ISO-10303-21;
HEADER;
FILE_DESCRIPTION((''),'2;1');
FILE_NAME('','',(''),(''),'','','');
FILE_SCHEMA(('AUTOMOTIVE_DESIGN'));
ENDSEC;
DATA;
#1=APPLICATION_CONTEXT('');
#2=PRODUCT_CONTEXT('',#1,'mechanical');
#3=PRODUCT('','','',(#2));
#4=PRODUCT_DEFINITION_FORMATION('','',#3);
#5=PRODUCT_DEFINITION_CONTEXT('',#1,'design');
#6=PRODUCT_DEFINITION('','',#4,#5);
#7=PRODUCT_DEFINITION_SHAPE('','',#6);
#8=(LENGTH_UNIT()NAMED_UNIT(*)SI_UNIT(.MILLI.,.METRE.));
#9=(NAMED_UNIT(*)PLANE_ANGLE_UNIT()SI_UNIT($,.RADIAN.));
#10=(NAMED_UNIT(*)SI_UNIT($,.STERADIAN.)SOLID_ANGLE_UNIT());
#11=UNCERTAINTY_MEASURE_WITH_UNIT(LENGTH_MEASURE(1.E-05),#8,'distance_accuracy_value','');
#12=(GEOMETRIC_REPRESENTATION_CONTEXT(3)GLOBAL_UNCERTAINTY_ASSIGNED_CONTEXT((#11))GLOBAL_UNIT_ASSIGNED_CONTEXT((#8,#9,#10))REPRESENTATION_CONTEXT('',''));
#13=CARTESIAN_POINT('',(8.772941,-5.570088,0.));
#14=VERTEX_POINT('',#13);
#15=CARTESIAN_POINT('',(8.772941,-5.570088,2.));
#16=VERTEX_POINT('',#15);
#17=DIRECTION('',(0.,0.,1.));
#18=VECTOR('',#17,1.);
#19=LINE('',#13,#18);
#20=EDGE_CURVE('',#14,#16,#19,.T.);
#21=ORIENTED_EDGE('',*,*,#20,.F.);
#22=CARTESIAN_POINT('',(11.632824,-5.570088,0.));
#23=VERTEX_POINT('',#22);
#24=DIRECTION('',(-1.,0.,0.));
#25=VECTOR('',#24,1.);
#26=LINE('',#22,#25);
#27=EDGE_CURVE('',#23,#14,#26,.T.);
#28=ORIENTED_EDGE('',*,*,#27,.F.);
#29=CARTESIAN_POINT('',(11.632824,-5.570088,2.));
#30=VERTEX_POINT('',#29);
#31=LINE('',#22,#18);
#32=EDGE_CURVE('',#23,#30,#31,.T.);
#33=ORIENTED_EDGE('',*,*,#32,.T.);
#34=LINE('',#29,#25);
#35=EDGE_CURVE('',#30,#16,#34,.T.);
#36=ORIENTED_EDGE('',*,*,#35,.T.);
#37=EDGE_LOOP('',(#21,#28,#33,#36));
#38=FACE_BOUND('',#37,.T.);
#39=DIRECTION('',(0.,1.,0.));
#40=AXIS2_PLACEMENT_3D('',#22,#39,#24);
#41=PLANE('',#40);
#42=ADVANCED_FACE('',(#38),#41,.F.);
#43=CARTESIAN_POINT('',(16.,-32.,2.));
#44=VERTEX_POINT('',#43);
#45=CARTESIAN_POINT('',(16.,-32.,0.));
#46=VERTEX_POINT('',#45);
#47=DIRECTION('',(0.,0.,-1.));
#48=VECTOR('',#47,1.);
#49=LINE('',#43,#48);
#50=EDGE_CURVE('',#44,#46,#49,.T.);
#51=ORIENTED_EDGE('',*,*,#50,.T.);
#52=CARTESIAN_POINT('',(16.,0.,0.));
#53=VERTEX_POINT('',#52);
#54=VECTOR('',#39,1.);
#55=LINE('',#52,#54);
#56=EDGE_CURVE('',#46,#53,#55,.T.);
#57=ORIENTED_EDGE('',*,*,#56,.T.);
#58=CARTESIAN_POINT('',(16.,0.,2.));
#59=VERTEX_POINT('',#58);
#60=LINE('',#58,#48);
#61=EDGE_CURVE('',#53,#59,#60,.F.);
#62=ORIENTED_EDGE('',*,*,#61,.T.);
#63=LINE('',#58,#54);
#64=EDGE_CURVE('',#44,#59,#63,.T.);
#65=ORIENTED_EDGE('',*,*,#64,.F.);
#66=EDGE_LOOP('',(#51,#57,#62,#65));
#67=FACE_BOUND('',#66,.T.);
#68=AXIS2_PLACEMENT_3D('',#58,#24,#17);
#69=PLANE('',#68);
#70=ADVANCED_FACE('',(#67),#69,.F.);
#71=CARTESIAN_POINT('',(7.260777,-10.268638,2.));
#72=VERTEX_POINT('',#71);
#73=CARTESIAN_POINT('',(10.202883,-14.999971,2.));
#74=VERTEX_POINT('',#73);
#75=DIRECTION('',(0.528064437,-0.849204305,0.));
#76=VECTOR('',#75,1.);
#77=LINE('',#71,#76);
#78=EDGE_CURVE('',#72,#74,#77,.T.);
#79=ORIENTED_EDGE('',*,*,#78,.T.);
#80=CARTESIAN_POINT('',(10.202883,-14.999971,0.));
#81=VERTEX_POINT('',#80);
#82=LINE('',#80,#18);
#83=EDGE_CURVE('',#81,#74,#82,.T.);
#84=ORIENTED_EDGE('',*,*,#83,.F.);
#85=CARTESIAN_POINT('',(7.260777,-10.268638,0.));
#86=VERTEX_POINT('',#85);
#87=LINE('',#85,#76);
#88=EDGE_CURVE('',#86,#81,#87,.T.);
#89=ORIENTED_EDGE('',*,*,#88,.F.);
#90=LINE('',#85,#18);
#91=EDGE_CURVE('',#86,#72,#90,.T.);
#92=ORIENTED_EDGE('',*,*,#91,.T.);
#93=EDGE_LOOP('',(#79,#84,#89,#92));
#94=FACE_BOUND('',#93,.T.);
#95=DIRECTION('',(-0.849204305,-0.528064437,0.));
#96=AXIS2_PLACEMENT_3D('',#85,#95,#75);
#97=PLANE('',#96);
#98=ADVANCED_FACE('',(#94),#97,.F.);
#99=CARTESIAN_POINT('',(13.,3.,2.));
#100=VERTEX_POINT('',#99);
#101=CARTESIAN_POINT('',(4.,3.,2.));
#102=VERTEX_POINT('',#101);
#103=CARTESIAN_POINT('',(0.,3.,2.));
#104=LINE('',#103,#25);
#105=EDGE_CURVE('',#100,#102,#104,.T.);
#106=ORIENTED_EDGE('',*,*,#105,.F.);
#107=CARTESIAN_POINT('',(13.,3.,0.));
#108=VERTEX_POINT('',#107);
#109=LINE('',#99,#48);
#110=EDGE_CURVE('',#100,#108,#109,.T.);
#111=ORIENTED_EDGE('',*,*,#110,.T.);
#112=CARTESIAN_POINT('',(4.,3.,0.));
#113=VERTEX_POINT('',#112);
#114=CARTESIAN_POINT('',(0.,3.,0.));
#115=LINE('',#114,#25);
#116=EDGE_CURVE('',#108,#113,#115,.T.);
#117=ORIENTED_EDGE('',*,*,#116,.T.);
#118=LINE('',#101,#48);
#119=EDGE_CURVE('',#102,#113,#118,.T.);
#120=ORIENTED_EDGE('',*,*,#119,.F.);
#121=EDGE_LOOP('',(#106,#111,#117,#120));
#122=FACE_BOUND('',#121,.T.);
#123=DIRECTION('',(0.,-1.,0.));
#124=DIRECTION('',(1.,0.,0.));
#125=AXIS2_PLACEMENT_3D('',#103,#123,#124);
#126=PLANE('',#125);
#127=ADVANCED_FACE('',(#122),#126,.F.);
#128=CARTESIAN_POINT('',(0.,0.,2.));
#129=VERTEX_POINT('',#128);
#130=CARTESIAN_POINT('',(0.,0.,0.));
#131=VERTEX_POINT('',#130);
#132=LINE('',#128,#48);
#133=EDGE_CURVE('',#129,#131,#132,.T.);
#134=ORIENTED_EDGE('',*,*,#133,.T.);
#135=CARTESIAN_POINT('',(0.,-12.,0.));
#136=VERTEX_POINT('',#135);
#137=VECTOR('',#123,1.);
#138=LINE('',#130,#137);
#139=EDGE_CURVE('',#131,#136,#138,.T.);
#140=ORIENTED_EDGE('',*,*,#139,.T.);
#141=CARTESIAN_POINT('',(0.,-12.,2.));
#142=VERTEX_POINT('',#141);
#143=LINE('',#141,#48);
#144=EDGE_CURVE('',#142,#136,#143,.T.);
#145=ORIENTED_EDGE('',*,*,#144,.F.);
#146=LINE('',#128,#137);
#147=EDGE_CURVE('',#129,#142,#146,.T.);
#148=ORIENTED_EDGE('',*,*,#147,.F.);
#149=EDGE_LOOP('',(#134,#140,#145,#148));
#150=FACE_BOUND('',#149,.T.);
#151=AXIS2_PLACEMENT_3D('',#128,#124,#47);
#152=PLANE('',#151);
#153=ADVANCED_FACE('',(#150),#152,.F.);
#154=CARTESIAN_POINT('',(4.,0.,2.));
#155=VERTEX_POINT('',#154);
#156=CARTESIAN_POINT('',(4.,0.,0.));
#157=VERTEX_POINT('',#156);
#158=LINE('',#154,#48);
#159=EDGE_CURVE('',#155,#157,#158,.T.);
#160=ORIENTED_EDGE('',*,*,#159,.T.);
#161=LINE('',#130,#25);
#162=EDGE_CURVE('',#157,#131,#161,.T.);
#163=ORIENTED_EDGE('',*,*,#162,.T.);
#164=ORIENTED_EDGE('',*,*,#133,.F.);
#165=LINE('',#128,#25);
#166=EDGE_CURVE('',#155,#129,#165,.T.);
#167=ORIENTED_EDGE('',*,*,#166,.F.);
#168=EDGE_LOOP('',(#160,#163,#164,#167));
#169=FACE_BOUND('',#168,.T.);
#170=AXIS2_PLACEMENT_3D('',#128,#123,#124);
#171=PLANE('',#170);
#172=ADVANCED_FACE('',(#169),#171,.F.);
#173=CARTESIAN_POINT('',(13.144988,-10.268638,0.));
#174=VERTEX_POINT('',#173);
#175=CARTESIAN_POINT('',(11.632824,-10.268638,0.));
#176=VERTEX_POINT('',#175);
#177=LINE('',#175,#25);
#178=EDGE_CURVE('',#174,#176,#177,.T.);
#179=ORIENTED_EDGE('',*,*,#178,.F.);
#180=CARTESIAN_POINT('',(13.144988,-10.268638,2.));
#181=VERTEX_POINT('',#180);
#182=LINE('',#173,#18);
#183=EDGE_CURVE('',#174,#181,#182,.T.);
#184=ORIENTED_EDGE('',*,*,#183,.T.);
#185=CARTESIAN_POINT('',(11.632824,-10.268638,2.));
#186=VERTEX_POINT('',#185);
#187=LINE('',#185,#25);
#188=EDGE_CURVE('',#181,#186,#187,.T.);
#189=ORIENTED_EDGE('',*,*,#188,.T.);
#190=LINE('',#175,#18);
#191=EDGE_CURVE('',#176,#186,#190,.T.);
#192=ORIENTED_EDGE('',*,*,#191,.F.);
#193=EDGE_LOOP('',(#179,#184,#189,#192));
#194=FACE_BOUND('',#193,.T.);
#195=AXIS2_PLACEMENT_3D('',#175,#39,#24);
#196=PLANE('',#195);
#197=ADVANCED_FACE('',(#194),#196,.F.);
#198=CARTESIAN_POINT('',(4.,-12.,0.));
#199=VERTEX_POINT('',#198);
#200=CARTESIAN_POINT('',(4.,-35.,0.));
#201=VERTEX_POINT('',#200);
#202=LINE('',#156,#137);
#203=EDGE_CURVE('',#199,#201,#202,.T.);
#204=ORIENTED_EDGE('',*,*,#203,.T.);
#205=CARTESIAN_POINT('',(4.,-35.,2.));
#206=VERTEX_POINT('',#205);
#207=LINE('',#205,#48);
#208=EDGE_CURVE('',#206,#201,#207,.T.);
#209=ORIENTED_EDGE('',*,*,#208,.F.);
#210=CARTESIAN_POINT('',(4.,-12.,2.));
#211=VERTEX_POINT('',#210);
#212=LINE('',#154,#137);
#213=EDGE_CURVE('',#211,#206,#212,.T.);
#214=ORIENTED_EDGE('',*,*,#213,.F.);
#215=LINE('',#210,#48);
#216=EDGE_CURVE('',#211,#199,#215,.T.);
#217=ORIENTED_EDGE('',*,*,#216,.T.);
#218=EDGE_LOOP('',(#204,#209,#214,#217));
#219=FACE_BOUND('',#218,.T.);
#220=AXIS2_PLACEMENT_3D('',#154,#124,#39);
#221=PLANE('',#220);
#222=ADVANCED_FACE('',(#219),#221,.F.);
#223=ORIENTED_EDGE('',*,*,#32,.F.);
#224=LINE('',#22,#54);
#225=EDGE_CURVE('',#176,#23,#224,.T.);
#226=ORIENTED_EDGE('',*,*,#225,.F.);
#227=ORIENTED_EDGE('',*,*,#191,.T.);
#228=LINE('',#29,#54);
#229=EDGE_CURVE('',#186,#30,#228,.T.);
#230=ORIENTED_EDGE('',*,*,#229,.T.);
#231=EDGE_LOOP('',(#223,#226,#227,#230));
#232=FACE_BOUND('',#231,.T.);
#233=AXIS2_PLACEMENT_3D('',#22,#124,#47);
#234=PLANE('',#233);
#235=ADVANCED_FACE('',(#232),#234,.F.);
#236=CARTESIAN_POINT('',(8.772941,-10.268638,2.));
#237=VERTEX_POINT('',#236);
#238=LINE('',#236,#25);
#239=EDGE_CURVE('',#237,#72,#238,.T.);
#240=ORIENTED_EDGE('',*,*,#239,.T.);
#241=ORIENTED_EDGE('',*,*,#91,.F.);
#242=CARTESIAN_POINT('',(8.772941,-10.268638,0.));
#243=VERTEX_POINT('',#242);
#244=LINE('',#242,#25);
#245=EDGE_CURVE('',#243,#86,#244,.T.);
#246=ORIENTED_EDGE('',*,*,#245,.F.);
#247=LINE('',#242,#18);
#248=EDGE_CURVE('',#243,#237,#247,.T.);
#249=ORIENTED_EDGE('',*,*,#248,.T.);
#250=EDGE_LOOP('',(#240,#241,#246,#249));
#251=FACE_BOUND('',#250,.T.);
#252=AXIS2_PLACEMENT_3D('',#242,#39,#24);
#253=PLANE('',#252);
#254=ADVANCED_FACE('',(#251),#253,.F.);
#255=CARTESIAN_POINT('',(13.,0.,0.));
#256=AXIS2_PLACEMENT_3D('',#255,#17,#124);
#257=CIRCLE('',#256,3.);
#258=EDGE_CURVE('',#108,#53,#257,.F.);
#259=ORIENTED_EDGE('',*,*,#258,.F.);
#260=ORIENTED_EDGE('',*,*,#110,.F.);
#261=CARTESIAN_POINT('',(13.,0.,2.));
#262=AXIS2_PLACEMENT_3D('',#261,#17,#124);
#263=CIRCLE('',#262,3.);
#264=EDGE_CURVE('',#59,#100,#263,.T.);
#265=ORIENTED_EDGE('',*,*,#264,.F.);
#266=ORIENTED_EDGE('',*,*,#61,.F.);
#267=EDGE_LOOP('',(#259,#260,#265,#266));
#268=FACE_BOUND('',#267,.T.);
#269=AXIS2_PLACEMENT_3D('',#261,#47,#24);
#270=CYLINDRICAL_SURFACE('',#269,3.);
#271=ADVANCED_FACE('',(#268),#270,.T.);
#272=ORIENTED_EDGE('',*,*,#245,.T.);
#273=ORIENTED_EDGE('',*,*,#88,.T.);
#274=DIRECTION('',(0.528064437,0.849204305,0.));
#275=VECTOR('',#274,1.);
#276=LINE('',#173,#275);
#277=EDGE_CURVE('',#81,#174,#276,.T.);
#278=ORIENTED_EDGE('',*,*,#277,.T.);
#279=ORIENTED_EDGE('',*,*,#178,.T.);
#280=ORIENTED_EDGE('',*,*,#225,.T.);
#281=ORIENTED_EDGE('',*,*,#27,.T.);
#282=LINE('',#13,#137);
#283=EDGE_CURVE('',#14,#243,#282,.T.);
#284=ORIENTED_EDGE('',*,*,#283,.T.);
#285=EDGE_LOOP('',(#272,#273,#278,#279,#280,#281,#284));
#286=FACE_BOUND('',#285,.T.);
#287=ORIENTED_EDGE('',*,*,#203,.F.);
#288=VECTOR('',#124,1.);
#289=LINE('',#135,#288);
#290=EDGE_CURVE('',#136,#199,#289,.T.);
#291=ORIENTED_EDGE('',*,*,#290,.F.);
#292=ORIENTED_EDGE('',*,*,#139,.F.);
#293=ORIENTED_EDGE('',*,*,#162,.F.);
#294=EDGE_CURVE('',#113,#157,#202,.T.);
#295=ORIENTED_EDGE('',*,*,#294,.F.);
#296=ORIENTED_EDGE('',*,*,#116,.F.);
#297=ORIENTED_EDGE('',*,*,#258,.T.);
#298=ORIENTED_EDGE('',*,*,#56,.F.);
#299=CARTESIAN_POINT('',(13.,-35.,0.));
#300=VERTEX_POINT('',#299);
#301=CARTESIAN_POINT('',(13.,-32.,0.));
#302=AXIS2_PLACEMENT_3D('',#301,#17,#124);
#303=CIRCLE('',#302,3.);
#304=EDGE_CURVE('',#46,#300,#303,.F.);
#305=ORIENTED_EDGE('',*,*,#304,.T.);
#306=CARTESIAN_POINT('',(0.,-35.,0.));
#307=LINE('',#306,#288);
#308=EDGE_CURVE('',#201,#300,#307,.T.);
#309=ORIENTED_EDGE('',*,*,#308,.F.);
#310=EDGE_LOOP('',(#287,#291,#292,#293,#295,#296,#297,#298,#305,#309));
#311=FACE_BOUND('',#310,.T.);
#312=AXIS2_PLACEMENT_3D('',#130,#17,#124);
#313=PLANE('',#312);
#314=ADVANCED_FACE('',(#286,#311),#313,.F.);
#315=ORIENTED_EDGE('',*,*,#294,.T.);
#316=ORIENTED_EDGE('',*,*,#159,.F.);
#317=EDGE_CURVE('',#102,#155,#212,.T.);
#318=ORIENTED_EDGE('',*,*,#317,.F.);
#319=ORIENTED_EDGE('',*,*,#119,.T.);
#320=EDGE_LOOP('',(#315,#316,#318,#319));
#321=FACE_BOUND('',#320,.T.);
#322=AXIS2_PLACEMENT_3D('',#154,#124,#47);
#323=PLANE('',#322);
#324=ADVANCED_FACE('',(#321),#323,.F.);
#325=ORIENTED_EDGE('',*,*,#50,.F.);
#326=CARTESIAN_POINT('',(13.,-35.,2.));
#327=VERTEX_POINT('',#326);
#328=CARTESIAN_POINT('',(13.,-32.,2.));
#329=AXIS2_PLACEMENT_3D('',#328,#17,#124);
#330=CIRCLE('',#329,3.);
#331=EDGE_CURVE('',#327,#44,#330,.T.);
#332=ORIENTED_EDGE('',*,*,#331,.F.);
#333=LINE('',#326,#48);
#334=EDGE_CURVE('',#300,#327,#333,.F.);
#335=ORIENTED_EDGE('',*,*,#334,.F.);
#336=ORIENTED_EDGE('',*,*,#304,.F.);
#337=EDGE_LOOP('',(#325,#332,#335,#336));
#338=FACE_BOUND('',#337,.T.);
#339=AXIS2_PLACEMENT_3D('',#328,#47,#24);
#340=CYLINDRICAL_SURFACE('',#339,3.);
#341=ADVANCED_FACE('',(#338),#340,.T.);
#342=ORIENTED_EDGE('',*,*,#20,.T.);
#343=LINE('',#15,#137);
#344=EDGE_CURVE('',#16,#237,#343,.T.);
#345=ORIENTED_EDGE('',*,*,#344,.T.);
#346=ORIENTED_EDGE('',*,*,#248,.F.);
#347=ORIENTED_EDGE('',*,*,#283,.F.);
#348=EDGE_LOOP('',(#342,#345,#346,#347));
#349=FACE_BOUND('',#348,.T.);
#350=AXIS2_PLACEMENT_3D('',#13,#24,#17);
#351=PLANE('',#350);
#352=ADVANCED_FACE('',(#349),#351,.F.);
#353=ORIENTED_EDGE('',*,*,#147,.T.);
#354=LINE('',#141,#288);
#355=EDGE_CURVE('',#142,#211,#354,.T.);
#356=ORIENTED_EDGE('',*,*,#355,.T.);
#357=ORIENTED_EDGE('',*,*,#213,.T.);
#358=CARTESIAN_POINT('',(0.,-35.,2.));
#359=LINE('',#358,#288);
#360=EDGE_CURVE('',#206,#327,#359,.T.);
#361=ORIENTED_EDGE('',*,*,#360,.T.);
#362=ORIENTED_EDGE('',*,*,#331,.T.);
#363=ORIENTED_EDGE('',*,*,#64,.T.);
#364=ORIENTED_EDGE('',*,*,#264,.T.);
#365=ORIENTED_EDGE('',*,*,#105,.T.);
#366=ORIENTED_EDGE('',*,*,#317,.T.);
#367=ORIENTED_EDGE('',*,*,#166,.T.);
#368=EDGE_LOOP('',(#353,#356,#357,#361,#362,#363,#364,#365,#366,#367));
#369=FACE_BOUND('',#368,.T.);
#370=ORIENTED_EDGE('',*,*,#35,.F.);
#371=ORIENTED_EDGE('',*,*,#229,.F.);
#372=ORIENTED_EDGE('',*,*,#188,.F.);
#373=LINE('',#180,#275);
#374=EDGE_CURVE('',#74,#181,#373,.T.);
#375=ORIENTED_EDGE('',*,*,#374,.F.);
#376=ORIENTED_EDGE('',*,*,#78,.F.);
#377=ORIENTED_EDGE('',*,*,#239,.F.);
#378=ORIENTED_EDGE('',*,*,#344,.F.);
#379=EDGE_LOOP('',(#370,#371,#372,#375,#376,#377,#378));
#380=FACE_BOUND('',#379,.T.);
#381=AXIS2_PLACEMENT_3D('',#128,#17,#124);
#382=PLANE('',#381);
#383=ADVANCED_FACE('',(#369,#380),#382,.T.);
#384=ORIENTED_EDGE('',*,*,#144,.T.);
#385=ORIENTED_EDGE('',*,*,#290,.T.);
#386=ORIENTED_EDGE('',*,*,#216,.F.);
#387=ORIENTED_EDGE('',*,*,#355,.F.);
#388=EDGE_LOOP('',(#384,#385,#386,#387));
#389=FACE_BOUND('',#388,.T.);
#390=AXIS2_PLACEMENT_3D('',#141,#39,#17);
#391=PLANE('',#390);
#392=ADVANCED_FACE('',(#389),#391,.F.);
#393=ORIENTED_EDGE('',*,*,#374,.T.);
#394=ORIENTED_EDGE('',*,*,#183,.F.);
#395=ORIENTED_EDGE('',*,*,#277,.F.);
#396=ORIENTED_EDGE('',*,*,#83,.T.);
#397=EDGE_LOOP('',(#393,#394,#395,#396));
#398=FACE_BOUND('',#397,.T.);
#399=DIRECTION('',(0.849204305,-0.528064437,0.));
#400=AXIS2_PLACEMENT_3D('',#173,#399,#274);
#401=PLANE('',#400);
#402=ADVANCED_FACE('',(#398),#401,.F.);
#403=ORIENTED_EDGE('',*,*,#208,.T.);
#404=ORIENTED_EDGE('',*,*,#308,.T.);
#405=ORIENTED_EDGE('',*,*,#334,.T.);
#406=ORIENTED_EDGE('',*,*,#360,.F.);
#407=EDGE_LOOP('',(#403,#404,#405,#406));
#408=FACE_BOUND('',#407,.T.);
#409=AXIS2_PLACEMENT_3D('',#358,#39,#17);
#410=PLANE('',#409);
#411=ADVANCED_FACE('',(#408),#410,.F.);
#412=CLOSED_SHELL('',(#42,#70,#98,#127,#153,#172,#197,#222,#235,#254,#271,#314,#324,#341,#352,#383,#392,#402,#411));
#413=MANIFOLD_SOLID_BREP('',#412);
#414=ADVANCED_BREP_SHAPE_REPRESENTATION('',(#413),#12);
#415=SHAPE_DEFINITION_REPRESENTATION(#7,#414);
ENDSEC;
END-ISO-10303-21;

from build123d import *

# Parameters (mm, degrees)
SKETCH_1_W          = 12
SKETCH_1_H          = 10
EXTRUDE_1_DEPTH     = 2
CUT_EXTRUDE_1_DEPTH = 2
FILLET_1_R          = 3


with BuildPart() as part:
    # ｽｹｯﾁ1 → ﾎﾞｽ - 押し出し1 (new body)
    with BuildSketch(Plane.XY):
        Polygon((4, 0), (0, 0), (0, -12), (4, -12), (4, -25), (16, -25), (16, 3), (4, 3), align=None)
        with Locations((10, -30)):
            Rectangle(SKETCH_1_W, SKETCH_1_H)
    extrude(amount=EXTRUDE_1_DEPTH)

    # ｽｹｯﾁ2 → ｶｯﾄ - 押し出し1 (cut)
    with BuildSketch(Plane.XY.offset(2)):
        Polygon((11.632823949, -5.570087609), (8.772941266, -5.570087609), (8.772941266, -10.268637818), (7.260776917, -10.268637818), (10.202882607, -14.99997105), (13.144988298, -10.268637818), (11.632823949, -10.268637818), align=None)
    extrude(amount=-CUT_EXTRUDE_1_DEPTH, mode=Mode.SUBTRACT)

    # ﾌｨﾚｯﾄ1
    fillet_1_edges = [part.edges().sort_by_distance(p)[0] for p in [
        (16, 3, 1),
        (16, -35, 1),
    ]]
    fillet(fillet_1_edges, radius=FILLET_1_R)


solid = part.part
